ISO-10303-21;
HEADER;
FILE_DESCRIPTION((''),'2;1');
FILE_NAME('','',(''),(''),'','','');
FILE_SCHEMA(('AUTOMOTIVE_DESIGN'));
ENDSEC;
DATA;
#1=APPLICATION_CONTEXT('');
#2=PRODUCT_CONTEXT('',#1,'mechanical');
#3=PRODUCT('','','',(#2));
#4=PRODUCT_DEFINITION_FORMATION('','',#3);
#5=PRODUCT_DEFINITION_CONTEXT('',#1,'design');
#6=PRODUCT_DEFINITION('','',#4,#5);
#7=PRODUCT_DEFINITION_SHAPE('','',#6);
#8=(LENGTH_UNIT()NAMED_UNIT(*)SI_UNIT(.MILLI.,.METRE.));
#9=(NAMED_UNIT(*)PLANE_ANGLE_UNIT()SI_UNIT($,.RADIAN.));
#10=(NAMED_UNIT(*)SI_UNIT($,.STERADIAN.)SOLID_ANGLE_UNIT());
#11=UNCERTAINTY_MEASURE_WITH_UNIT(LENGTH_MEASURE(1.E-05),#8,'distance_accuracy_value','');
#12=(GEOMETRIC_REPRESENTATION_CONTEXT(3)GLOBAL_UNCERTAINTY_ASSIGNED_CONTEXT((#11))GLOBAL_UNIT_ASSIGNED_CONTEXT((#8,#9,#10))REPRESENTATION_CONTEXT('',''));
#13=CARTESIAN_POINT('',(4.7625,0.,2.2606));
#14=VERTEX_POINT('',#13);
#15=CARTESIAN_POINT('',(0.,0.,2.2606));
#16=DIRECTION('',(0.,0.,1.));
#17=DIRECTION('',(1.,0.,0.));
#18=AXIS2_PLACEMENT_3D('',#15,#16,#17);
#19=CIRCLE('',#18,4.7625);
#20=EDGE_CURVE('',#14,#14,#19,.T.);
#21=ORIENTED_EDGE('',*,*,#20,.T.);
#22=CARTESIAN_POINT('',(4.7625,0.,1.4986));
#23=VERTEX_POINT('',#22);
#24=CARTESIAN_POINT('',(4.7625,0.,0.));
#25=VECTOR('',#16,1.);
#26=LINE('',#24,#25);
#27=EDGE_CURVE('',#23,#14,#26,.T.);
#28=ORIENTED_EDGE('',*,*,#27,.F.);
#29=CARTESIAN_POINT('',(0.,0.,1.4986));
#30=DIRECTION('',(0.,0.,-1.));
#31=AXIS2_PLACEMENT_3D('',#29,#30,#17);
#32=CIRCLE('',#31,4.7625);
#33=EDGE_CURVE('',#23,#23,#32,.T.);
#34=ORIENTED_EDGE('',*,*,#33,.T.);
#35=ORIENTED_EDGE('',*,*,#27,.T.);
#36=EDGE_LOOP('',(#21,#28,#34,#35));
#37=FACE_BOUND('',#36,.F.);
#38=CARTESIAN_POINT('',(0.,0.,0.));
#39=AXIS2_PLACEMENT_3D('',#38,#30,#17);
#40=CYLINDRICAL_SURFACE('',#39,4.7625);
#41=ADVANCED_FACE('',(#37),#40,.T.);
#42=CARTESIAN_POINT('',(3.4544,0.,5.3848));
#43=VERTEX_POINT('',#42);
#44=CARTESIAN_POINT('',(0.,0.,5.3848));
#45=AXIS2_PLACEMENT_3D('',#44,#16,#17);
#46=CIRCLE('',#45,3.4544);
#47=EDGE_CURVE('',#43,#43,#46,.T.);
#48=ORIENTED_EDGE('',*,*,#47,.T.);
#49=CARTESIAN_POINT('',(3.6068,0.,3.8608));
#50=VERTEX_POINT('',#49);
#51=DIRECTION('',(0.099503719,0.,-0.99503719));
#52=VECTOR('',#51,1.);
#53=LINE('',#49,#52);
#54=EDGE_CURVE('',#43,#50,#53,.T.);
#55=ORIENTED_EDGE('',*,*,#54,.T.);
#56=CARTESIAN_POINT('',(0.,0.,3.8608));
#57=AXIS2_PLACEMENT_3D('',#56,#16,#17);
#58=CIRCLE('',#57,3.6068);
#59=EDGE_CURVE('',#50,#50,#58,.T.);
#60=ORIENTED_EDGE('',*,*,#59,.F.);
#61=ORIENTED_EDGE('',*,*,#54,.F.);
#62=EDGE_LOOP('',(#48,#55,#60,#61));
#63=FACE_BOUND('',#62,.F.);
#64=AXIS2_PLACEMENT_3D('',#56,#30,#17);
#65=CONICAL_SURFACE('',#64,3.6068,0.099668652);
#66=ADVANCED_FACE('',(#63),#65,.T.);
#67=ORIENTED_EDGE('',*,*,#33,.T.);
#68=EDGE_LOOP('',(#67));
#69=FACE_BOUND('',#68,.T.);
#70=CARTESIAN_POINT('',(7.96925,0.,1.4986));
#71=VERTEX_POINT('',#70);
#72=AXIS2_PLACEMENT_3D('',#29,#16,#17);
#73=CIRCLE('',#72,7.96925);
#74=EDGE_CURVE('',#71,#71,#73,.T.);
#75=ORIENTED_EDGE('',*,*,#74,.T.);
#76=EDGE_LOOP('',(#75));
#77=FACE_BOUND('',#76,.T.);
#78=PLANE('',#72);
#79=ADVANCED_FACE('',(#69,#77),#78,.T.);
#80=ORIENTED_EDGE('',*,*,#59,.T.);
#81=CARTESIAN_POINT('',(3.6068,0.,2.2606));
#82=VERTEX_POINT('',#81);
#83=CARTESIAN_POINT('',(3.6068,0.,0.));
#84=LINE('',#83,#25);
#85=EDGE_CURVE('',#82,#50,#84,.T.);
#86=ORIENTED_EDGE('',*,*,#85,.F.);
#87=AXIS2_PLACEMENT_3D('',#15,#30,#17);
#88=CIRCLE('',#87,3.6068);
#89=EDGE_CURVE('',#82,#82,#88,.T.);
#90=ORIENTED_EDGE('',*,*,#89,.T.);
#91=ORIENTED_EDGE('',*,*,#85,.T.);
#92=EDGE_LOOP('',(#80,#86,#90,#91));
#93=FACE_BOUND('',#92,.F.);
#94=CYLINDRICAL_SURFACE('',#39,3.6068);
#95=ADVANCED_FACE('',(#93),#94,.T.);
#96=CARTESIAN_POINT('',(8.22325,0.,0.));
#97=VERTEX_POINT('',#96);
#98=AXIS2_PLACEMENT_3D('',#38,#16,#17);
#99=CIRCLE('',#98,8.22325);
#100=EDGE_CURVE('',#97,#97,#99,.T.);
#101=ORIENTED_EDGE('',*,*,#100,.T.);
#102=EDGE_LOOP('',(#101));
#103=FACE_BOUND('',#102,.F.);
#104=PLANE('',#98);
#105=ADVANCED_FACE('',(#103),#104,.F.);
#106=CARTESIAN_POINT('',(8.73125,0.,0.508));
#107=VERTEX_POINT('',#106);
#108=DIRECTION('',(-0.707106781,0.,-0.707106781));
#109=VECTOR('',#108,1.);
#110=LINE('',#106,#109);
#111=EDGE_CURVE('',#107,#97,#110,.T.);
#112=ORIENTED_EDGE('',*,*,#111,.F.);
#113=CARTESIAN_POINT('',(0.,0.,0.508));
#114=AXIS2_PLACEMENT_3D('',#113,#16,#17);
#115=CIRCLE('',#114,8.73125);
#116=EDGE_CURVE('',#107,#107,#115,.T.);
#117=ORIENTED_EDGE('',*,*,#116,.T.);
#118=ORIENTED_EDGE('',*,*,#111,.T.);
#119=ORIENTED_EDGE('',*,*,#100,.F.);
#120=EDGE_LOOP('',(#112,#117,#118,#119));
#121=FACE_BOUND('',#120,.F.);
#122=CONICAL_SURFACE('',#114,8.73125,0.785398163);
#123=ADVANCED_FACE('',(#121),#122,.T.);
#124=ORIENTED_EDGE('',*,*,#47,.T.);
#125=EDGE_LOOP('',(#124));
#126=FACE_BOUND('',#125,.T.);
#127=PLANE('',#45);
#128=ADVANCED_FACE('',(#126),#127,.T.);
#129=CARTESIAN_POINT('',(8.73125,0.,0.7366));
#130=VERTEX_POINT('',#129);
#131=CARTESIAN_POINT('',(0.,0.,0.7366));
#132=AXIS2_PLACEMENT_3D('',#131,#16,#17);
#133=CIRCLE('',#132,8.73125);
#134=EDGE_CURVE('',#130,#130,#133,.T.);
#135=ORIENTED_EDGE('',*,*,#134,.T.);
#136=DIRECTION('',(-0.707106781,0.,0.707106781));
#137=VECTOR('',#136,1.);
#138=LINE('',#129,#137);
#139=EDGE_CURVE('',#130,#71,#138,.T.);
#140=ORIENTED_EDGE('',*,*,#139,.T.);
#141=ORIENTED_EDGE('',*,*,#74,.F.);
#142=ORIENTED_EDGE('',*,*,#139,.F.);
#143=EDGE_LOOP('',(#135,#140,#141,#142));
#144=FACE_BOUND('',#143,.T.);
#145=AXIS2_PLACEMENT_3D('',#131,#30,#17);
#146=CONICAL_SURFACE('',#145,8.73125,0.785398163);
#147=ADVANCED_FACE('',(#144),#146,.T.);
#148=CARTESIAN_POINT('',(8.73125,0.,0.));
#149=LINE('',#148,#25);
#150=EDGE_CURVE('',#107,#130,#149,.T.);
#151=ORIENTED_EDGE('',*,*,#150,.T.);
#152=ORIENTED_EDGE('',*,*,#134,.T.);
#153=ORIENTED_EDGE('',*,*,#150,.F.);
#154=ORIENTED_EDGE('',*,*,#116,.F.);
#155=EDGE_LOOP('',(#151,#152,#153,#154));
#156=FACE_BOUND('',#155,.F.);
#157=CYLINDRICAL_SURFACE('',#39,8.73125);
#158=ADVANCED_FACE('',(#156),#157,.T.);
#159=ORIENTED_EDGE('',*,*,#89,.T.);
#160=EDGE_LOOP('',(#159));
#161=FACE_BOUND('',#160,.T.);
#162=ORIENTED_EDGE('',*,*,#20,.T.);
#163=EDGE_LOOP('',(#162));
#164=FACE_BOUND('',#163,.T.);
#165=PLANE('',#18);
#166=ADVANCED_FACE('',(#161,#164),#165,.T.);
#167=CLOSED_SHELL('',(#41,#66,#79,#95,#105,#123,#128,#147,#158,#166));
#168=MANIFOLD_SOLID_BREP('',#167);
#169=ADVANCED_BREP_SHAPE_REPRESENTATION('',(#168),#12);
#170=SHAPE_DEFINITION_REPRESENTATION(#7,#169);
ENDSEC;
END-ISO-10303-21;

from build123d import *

# Parameters (mm, degrees)
F0_R     = 8.73125
F0_R_2   = 4.7625
F0_R_3   = 3.6068
F1_DEPTH = 1.4986
F2_DEPTH = 2.2606
F3_DEPTH = 5.3848
F4_SIZE  = 0.762
F5_SIZE  = 0.508
F6_SIZE2 = 1.524
F6_SIZE  = 0.1524


with BuildPart() as f1:
    # F0 (on Top) → F1 (new body)
    with BuildSketch(Plane.XY):
        Circle(F0_R)
        Circle(F0_R_2, mode=Mode.SUBTRACT)
        Circle(F0_R_2)
        Circle(F0_R_3, mode=Mode.SUBTRACT)
        Circle(F0_R_3)
    extrude(amount=F1_DEPTH)

    # F0 (on Top) → F2 (join)
    with BuildSketch(Plane.XY):
        Circle(F0_R_2)
        Circle(F0_R_3, mode=Mode.SUBTRACT)
        Circle(F0_R_3)
    extrude(amount=F2_DEPTH)

    # F0 (on Top) → F3 (join)
    with BuildSketch(Plane.XY):
        Circle(F0_R_3)
    extrude(amount=F3_DEPTH)

    # F4
    f4_edges = [f1.edges().sort_by_distance(p)[0] for p in [
        (-8.73125, 0, 1.4986),
    ]]
    chamfer(f4_edges, length=F4_SIZE)

    # F5
    f5_edges = [f1.edges().sort_by_distance(p)[0] for p in [
        (-8.73125, 0, 0),
    ]]
    chamfer(f5_edges, length=F5_SIZE)

    # F6
    f6_edges = [f1.edges().sort_by_distance(p)[0] for p in [
        (-3.6068, 0, 5.3848),
    ]]
    f6_side = f1.faces().sort_by_distance((0, 0, 5.3848))[0]
    chamfer(f6_edges, length=F6_SIZE, length2=F6_SIZE2, reference=f6_side)


solid = f1.part
